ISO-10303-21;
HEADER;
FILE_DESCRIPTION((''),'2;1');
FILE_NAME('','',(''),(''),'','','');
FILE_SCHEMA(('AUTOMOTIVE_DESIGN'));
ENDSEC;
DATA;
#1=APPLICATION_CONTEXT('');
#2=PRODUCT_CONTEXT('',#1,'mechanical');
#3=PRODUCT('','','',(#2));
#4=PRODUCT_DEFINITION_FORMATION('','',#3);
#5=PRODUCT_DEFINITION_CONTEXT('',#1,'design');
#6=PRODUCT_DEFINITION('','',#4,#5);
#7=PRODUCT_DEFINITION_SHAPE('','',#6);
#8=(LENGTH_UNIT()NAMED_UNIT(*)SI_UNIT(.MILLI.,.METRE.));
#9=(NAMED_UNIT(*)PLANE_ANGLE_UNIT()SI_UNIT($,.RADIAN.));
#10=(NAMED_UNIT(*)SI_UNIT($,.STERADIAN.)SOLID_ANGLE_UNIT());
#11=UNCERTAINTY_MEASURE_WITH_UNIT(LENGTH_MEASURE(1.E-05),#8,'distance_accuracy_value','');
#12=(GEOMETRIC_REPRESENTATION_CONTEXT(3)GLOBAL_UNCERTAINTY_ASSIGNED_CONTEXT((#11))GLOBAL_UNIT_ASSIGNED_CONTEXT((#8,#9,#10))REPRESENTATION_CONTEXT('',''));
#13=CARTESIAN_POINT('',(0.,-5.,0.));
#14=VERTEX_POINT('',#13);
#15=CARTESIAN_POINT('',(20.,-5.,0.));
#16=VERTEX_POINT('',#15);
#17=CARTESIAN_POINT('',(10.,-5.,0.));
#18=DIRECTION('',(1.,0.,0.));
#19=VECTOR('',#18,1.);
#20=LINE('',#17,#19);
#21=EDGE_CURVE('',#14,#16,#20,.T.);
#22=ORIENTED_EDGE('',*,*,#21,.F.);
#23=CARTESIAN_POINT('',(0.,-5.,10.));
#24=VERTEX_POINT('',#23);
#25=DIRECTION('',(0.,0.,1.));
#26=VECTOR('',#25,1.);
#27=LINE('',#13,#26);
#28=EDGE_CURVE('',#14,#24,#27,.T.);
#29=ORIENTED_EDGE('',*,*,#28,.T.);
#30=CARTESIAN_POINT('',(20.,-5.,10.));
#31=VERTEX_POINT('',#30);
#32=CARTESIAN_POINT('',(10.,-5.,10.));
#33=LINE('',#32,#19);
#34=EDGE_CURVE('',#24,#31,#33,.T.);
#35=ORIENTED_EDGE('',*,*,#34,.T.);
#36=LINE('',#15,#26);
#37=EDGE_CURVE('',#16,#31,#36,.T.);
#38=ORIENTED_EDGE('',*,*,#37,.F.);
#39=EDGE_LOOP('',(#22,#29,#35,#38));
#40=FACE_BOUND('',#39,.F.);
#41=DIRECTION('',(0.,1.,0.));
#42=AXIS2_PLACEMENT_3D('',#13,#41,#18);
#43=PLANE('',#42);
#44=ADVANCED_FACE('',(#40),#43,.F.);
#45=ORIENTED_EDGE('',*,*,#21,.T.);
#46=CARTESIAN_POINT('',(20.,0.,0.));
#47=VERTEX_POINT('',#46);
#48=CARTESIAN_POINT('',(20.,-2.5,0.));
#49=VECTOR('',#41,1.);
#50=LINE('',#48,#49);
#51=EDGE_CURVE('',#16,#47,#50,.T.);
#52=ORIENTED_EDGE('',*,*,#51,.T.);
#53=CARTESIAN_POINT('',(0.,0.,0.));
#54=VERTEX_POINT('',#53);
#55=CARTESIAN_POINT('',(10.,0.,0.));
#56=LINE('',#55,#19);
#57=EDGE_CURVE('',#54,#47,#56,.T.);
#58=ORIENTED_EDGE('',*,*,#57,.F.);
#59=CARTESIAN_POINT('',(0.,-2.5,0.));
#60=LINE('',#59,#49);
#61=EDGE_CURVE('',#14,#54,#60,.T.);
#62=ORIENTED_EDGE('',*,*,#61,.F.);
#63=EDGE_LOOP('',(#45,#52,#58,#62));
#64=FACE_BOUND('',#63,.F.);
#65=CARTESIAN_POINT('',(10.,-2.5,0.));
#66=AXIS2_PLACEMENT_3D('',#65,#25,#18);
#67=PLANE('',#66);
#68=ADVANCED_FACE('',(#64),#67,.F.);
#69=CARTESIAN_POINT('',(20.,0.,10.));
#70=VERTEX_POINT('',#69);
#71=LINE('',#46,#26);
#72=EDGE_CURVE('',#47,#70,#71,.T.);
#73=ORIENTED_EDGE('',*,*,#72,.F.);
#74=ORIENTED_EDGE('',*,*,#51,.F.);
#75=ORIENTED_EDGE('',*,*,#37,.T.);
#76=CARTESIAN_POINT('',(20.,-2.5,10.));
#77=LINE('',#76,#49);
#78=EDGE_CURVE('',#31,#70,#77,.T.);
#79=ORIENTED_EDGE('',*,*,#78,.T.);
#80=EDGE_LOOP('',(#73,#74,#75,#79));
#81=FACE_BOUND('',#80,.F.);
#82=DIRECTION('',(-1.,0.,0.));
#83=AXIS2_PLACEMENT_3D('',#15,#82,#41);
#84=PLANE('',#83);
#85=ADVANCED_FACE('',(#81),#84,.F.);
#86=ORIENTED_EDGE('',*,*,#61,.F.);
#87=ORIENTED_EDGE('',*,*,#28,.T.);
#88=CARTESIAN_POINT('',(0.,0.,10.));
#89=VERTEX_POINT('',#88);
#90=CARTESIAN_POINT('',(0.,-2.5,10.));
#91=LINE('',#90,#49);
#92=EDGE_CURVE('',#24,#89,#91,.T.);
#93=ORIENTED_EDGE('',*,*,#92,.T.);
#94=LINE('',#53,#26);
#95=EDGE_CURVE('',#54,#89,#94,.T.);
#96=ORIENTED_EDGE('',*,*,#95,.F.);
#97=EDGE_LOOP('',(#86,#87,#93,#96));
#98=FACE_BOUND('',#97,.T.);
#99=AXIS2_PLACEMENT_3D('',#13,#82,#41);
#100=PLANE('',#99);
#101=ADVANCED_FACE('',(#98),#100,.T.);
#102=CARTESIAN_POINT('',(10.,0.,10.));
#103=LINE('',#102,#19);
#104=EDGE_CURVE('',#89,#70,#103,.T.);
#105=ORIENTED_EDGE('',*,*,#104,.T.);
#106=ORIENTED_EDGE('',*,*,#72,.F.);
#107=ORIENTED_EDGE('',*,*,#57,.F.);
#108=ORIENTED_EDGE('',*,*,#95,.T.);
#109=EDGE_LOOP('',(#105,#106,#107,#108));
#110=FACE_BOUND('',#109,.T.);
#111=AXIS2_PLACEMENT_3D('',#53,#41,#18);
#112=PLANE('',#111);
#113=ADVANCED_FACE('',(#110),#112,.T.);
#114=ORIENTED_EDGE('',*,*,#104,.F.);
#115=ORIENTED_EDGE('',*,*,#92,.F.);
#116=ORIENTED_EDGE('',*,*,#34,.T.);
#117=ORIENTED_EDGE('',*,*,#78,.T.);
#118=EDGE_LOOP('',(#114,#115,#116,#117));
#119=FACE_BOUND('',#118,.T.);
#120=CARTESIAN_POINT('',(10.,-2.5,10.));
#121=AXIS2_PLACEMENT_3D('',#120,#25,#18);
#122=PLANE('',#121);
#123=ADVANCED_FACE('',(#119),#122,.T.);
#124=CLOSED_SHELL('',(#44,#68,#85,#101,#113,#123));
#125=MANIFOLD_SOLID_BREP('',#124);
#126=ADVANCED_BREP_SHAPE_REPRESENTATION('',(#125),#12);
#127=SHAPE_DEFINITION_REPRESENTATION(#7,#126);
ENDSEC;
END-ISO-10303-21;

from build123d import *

# Parameters (mm, degrees)
ESQUISSE1_W        = 20
ESQUISSE1_H        = 5
BOSS_EXTRU_1_DEPTH = 10


with BuildPart() as part:
    # Esquisse1 → Boss.-Extru.1 (new body)
    with BuildSketch(Plane.XY):
        with Locations((10, -2.5)):
            Rectangle(ESQUISSE1_W, ESQUISSE1_H)
    extrude(amount=BOSS_EXTRU_1_DEPTH)


solid = part.part
